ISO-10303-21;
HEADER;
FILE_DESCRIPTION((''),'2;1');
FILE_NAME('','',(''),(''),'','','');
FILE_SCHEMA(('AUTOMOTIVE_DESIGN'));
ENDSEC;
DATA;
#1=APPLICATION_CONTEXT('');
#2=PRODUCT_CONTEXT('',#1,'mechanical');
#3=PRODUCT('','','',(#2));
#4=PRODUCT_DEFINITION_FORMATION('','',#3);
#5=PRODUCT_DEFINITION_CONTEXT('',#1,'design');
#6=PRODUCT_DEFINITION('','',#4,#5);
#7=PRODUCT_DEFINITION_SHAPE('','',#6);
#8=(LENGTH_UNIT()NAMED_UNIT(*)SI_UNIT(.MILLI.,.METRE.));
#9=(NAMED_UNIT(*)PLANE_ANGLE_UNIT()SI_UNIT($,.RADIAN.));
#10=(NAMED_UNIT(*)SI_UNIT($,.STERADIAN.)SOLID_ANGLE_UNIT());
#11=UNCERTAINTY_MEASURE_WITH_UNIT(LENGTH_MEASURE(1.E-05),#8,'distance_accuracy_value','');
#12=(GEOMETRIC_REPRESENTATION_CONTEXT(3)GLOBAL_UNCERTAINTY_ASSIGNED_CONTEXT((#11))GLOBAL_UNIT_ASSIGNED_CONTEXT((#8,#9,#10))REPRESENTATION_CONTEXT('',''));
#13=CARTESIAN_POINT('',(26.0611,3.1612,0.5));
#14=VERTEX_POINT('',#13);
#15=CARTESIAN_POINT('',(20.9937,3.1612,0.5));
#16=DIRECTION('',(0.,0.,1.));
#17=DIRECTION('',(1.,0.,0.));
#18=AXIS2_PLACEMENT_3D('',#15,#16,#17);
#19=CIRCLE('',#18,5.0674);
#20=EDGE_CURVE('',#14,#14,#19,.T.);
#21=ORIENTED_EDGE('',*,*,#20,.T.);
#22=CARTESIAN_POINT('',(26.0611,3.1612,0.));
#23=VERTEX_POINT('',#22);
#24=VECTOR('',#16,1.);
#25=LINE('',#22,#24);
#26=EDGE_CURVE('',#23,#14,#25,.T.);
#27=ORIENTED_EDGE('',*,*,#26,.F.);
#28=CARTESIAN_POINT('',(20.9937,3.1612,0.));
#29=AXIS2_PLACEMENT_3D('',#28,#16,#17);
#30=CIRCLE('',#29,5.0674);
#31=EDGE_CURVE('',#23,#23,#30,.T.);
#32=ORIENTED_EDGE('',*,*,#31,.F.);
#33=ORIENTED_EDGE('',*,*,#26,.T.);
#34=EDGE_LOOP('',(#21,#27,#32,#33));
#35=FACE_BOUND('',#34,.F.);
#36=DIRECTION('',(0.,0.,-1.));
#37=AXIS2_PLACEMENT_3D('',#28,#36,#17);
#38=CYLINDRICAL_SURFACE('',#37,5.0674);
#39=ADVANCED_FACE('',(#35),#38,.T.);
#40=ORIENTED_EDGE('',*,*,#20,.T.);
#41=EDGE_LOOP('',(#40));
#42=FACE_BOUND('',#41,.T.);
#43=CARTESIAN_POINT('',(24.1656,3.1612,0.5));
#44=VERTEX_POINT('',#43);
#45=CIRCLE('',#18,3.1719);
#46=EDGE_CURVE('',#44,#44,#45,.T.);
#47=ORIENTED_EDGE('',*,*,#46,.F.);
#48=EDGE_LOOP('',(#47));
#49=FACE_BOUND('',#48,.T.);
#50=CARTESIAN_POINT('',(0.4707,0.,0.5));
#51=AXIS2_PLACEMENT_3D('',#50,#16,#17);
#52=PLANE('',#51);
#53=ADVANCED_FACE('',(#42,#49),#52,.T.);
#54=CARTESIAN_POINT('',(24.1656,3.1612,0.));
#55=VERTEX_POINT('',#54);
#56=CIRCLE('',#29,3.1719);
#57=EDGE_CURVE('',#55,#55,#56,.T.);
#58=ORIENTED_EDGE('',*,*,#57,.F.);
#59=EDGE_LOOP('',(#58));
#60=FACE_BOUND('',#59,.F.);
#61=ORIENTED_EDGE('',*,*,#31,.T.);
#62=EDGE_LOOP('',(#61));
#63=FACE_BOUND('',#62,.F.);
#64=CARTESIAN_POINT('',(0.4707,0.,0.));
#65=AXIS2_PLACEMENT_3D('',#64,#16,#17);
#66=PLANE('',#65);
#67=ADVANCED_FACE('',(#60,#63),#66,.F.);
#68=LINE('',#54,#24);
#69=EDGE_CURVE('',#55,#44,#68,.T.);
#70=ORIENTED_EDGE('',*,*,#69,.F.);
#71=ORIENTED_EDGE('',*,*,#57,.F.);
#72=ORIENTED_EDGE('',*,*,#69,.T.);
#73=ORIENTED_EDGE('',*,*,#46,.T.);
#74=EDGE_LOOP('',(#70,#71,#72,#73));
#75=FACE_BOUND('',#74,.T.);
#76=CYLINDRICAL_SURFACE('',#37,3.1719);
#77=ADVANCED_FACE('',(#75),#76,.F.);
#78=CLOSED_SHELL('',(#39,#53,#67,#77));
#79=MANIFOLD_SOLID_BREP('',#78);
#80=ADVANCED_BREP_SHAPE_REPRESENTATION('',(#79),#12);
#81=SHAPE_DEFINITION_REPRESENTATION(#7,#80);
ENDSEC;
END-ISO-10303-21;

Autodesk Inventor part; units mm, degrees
ref_plane "YZ Plane" through (0, 0, 0) normal (1, 0, 0) x (0, 1, 0)
ref_plane "XZ Plane" through (0, 0, 0) normal (0, 1, 0) x (-1, 0, 0)
ref_plane "XY Plane" through (0, 0, 0) normal (0, 0, 1) x (1, 0, 0)
ref_plane "Work Plane1" through (0.4707, 0, 0) normal (0, 0, 1) x (1, 0, 0)
sketch "Sketch1" plane through (0.4707, 0, 0) normal (0, 0, 1) x (1, 0, 0)
  circle A0 centre (20.523, 3.1612) radius 2.6 projected
  circle A1 centre (20.523, 3.1612) radius 3.1719
  circle A2 centre (20.523, 3.1612) radius 5.0674
  point P0 (-0.4707, 0)
extrude "Extrusion1" add sketch "Sketch1" along normal blind 0.5 contours A2
properties part number "Washer"
